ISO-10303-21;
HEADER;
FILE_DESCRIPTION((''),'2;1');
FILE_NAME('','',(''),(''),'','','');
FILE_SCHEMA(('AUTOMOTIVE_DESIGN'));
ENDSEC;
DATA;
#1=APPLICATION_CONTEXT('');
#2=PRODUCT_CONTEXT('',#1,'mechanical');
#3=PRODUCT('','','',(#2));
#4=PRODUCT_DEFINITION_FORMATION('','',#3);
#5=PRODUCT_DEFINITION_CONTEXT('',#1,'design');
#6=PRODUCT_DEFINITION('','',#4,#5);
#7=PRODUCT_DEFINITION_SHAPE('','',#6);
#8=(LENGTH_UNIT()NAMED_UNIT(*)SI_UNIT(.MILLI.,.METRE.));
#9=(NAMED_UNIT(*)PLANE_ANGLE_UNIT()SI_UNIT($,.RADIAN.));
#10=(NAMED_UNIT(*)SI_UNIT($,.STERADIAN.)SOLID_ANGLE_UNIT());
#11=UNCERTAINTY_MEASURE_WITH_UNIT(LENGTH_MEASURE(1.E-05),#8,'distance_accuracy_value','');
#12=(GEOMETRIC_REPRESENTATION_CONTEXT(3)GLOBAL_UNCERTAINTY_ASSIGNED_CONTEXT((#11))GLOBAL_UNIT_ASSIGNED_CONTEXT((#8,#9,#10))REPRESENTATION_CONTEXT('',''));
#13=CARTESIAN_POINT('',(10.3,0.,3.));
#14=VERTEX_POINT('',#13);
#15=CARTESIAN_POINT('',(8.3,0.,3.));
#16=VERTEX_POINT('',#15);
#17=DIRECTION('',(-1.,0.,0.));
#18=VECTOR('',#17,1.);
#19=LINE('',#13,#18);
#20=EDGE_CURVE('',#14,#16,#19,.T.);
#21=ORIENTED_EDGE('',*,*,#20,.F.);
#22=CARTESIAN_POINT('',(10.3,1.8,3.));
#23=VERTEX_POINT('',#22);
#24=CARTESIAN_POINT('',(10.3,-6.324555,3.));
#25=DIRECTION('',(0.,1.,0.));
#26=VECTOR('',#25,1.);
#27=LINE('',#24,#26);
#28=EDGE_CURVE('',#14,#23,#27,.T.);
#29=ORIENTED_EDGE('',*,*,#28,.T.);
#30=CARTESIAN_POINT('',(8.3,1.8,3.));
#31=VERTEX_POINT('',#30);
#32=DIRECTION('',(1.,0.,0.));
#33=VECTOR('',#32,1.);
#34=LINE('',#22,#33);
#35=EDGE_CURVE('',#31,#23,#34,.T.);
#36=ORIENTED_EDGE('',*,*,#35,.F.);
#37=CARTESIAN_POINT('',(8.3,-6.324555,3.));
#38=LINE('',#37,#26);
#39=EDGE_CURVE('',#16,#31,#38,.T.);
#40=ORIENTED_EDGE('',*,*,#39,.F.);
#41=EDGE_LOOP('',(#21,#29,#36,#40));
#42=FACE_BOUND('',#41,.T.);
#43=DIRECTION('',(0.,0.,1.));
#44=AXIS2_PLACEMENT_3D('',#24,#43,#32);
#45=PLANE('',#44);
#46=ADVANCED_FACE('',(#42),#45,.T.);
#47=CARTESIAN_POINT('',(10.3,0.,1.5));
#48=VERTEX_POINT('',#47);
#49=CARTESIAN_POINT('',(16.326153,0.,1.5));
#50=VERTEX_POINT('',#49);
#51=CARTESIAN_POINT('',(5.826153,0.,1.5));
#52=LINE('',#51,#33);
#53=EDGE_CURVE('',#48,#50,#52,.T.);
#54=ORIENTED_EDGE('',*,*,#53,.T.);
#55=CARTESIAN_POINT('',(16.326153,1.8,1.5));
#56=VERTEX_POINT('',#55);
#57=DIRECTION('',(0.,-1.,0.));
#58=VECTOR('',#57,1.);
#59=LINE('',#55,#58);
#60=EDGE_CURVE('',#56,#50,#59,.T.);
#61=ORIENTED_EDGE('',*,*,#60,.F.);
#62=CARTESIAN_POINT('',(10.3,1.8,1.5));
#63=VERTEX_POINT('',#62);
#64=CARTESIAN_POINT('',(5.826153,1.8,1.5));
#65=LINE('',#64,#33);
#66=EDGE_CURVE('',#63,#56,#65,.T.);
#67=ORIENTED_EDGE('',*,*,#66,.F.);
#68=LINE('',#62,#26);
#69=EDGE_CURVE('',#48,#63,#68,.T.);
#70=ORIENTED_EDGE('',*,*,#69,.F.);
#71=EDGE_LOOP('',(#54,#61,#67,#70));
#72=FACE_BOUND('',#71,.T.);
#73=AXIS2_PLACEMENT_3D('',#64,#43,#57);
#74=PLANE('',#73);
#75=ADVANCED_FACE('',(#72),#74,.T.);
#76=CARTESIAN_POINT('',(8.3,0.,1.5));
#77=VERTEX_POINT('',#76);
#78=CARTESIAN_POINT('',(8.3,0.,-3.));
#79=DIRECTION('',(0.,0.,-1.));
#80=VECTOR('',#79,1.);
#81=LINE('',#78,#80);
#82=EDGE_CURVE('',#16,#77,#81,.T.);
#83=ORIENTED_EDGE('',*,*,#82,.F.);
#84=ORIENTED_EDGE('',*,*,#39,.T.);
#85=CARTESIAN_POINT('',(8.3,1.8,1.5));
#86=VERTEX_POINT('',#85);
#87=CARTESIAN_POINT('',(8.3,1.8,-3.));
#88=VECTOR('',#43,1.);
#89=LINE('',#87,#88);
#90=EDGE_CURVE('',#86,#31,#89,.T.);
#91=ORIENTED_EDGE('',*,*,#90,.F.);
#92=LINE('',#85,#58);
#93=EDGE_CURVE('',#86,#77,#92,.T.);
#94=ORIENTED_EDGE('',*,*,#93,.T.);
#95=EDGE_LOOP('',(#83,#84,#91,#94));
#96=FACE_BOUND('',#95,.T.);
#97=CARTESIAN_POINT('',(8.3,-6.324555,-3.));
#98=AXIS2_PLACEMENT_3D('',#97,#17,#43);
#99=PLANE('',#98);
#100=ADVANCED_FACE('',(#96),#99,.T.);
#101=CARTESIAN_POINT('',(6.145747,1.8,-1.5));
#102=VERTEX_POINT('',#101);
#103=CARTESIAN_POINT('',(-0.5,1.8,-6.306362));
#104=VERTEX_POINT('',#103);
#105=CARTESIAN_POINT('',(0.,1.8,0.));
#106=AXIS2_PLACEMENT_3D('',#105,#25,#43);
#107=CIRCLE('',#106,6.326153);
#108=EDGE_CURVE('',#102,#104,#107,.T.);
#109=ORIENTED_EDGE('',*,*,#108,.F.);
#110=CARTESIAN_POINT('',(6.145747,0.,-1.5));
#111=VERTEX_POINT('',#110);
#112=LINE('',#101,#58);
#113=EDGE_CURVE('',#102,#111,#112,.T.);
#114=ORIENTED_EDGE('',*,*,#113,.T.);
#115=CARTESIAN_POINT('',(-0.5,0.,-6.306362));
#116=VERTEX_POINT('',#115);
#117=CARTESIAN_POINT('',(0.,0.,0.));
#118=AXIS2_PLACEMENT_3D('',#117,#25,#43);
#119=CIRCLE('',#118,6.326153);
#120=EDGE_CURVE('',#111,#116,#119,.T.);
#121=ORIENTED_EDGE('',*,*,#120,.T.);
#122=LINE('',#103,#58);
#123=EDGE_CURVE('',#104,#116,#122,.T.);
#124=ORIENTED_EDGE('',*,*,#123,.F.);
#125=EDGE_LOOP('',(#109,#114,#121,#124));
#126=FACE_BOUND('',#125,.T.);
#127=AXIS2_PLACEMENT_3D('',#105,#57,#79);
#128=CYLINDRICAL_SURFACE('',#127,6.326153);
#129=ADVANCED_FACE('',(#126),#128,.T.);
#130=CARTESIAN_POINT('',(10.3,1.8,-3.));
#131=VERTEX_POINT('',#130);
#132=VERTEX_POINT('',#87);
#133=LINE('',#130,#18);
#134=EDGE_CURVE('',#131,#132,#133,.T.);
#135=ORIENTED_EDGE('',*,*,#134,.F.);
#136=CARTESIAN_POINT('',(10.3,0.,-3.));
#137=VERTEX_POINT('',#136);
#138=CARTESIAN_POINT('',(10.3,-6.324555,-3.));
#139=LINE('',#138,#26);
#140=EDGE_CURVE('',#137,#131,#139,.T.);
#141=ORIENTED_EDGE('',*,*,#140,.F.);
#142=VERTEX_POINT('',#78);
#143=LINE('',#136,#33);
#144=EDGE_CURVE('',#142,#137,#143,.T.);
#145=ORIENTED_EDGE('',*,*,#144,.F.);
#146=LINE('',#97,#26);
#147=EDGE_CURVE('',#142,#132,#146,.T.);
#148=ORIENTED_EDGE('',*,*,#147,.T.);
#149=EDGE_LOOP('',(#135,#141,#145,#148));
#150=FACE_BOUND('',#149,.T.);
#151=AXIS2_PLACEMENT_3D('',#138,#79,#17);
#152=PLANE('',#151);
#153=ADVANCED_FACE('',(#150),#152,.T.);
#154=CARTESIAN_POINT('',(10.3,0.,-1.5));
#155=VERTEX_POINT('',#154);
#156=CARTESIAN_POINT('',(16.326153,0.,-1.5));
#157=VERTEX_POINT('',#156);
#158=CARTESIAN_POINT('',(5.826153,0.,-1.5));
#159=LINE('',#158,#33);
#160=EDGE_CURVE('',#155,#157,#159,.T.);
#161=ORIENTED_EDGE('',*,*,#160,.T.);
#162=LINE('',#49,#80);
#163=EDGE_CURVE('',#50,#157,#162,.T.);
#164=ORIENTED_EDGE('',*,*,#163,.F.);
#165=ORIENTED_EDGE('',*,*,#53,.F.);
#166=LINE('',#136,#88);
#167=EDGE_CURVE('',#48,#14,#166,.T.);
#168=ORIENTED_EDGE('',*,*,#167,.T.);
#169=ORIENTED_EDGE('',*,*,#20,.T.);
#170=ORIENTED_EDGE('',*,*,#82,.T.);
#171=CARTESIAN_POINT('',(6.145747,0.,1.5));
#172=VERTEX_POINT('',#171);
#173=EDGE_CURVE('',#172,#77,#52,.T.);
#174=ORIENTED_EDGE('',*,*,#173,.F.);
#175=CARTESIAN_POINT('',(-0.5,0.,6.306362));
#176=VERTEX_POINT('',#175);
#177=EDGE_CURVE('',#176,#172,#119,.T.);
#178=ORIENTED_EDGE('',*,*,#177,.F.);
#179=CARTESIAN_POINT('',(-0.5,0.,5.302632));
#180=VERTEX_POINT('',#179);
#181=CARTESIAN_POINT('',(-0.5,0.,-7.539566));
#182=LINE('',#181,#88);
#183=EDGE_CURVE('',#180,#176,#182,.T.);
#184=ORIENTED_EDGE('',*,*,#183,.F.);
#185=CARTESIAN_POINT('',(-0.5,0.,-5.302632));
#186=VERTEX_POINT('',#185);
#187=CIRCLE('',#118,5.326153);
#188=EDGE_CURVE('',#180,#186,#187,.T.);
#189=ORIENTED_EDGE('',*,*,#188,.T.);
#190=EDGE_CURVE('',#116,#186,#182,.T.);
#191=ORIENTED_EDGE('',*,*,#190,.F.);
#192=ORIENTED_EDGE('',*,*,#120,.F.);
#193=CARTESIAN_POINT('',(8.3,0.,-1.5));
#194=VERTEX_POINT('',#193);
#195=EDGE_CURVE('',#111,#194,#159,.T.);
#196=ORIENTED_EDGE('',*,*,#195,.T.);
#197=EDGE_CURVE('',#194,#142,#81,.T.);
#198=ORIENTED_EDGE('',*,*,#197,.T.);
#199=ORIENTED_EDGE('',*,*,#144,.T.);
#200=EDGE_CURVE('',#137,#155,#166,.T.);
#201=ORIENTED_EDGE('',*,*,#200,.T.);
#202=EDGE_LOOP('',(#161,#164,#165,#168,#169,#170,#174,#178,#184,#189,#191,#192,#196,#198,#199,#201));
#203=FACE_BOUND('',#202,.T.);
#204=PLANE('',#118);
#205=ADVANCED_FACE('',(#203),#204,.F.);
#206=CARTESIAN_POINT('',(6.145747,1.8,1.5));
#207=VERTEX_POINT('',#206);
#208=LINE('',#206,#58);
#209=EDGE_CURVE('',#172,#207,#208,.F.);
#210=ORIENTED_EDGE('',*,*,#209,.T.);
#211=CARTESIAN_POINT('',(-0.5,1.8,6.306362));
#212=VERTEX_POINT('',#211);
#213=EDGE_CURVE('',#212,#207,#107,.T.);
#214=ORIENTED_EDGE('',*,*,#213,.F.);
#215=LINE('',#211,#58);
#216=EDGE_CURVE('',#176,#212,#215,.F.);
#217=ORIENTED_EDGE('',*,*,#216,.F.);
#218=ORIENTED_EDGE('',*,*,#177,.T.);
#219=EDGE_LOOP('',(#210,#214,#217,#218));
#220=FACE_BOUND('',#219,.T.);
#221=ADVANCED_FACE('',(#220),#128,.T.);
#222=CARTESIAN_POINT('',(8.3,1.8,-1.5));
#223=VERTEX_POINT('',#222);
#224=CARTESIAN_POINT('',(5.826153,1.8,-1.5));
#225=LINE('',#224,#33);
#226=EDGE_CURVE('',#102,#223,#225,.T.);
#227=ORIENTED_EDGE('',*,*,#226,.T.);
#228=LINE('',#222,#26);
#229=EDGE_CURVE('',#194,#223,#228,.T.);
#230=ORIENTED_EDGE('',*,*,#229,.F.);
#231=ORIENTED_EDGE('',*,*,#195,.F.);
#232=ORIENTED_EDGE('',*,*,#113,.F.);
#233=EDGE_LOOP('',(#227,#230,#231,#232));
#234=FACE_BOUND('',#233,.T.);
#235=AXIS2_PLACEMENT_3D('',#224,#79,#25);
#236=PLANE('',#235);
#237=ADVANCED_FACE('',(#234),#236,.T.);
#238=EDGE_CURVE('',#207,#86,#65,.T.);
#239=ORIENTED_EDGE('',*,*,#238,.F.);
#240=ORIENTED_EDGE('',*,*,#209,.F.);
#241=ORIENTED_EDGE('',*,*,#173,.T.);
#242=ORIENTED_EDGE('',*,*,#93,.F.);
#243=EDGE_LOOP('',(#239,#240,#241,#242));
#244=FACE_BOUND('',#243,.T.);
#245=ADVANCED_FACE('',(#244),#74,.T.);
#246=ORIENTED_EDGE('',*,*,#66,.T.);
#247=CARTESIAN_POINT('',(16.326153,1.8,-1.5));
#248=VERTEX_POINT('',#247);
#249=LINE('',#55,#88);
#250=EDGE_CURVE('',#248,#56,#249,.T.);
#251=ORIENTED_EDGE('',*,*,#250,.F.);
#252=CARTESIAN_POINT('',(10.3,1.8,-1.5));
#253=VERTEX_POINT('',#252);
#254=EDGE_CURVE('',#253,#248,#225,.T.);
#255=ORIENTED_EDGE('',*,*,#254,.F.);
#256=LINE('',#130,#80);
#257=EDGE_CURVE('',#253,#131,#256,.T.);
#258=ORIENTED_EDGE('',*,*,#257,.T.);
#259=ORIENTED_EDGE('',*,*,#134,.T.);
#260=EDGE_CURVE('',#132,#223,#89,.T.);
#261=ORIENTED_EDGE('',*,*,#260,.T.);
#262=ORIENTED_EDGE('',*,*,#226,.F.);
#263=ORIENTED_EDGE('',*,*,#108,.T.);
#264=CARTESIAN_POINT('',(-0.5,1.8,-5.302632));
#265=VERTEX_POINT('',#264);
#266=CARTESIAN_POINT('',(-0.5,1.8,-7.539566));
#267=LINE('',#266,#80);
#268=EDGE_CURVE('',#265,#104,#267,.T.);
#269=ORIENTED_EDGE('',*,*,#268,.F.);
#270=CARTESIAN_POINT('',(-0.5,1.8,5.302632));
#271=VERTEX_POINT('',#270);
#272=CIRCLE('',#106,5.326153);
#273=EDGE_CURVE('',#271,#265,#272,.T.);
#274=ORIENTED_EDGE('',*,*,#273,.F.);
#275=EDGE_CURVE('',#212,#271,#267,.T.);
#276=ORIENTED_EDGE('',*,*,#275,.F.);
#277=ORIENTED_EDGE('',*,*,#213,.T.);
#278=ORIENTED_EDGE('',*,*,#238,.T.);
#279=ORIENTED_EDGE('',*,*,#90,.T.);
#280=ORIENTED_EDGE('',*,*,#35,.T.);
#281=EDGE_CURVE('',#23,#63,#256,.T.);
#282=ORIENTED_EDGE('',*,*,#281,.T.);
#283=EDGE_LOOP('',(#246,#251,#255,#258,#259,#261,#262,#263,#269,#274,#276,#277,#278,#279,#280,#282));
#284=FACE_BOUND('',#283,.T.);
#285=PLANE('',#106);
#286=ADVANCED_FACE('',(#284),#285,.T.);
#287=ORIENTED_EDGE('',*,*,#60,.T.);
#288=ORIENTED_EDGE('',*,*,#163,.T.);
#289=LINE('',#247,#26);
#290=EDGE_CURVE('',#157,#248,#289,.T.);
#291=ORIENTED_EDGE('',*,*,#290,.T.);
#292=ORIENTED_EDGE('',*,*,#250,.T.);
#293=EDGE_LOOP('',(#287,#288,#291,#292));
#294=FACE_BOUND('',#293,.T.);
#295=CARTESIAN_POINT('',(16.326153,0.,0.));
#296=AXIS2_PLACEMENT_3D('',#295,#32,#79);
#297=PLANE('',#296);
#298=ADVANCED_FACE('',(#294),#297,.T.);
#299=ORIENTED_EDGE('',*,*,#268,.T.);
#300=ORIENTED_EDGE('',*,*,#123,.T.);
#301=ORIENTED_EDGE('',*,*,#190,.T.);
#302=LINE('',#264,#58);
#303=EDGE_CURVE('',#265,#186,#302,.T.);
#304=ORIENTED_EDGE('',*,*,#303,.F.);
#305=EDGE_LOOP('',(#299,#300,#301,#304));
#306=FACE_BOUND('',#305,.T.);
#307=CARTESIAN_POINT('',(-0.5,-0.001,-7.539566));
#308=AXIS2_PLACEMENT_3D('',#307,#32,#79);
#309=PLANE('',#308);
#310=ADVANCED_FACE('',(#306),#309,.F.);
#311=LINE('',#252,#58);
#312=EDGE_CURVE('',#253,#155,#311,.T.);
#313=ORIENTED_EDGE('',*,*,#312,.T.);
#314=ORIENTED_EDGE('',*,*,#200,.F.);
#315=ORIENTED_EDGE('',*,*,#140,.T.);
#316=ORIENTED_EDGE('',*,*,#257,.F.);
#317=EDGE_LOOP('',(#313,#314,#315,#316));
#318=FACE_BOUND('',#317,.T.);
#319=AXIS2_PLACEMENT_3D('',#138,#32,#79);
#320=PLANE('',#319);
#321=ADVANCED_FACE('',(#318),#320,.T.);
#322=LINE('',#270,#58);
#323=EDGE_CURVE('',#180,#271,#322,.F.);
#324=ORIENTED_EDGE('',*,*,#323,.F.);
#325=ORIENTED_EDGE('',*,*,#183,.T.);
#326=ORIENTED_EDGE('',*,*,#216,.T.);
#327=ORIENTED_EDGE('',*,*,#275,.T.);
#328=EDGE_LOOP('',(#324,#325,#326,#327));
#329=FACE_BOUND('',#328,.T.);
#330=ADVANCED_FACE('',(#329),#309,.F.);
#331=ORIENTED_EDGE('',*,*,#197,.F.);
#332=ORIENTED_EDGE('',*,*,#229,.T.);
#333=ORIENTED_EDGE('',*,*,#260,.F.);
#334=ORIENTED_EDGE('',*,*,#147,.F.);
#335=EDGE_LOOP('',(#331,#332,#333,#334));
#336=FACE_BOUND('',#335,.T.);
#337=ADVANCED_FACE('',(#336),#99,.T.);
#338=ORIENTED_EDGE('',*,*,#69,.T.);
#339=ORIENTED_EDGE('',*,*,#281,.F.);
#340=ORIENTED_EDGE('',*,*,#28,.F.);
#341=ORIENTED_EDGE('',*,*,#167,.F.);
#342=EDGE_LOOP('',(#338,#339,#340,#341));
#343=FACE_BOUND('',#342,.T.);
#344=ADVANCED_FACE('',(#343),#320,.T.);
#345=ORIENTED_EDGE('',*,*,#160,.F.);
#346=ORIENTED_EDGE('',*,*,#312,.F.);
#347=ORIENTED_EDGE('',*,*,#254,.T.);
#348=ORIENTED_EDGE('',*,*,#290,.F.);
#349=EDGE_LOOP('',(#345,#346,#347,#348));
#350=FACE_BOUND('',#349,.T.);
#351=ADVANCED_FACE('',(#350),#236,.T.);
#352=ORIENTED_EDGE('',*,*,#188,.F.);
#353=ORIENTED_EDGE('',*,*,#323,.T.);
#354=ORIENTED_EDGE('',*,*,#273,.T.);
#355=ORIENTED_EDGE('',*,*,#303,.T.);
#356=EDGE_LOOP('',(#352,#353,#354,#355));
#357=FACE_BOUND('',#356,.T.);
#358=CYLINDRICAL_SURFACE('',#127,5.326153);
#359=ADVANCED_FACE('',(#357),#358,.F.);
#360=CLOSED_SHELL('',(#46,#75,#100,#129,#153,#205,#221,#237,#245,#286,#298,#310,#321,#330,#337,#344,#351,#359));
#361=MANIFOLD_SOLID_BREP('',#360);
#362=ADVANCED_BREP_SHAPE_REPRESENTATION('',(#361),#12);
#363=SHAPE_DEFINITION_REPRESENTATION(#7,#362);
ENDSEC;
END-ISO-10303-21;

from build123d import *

# Parameters (mm, degrees)
SKETCH_1_R           = 6.326152672
SKETCH_1_R_2         = 5.326152672
EXTRUDE_1_DEPTH      = 1.8
EXTRUDE_2_DEPTH      = 10
EXTRUDE_2_DEPTH_BACK = 0.5
SKETCH_2_W           = 3
SKETCH_2_H           = 1.8
CUT_EXTRUDE_1_REACH  = 19.601
SKETCH_3_W           = 6.461960394
SKETCH_3_H           = 15
EXTRUDE_START        = -1.8
SKETCH_4_W           = 2
SKETCH_4_H           = 6
EXTRUDE_3_DEPTH      = 1.8


with BuildPart() as part:
    # 草图1 → 凸台-拉伸1 (new body)
    with BuildSketch(Plane(origin=(0, 0, 0), x_dir=(1, 0, 0), z_dir=(0, 1, 0))):
        with Locations(Location((0, 0, 0), (0, 0, 270))):
            Circle(SKETCH_1_R)
        with Locations(Location((0, 0, 0), (0, 0, 270))):
            Circle(SKETCH_1_R_2, mode=Mode.SUBTRACT)
    extrude(amount=EXTRUDE_1_DEPTH)

    # 草图2 → 凸台-拉伸2 (add, two sides: drawn at the far end of the back side and taken through both)
    with BuildSketch(Plane(origin=(6.326152672, 0, 0), x_dir=(0, 0, -1), z_dir=(1, 0, 0)).offset(-EXTRUDE_2_DEPTH_BACK)):
        with Locations((0, 0.9)):
            Rectangle(SKETCH_2_W, SKETCH_2_H)
    extrude(amount=EXTRUDE_2_DEPTH + EXTRUDE_2_DEPTH_BACK)

    # 草图3 → 切除-拉伸1 (cut, up to next)
    with BuildSketch(Plane(origin=(0, 1.8, 0), x_dir=(1, 0, 0), z_dir=(0, 1, 0)), mode=Mode.PRIVATE) as cut_extrude_1_sk1:
        with Locations((-3.730980197, 0.039566398)):
            Rectangle(SKETCH_3_W, SKETCH_3_H)
    cut_extrude_1_tool1 = extrude(cut_extrude_1_sk1.sketch, amount=-CUT_EXTRUDE_1_REACH, mode=Mode.PRIVATE) & part.part
    add(cut_extrude_1_tool1.solids().sort_by_distance((-3.73098, 1.8, -0.039566))[0], mode=Mode.SUBTRACT)

    # 草图4 → 凸台-拉伸3 (add)
    with BuildSketch(Plane(origin=(0, 1.8, 0), x_dir=(1, 0, 0), z_dir=(0, 1, 0)).offset(EXTRUDE_START)):
        with Locations((9.3, 0)):
            Rectangle(SKETCH_4_W, SKETCH_4_H)
    extrude(amount=EXTRUDE_3_DEPTH)


solid = part.part
